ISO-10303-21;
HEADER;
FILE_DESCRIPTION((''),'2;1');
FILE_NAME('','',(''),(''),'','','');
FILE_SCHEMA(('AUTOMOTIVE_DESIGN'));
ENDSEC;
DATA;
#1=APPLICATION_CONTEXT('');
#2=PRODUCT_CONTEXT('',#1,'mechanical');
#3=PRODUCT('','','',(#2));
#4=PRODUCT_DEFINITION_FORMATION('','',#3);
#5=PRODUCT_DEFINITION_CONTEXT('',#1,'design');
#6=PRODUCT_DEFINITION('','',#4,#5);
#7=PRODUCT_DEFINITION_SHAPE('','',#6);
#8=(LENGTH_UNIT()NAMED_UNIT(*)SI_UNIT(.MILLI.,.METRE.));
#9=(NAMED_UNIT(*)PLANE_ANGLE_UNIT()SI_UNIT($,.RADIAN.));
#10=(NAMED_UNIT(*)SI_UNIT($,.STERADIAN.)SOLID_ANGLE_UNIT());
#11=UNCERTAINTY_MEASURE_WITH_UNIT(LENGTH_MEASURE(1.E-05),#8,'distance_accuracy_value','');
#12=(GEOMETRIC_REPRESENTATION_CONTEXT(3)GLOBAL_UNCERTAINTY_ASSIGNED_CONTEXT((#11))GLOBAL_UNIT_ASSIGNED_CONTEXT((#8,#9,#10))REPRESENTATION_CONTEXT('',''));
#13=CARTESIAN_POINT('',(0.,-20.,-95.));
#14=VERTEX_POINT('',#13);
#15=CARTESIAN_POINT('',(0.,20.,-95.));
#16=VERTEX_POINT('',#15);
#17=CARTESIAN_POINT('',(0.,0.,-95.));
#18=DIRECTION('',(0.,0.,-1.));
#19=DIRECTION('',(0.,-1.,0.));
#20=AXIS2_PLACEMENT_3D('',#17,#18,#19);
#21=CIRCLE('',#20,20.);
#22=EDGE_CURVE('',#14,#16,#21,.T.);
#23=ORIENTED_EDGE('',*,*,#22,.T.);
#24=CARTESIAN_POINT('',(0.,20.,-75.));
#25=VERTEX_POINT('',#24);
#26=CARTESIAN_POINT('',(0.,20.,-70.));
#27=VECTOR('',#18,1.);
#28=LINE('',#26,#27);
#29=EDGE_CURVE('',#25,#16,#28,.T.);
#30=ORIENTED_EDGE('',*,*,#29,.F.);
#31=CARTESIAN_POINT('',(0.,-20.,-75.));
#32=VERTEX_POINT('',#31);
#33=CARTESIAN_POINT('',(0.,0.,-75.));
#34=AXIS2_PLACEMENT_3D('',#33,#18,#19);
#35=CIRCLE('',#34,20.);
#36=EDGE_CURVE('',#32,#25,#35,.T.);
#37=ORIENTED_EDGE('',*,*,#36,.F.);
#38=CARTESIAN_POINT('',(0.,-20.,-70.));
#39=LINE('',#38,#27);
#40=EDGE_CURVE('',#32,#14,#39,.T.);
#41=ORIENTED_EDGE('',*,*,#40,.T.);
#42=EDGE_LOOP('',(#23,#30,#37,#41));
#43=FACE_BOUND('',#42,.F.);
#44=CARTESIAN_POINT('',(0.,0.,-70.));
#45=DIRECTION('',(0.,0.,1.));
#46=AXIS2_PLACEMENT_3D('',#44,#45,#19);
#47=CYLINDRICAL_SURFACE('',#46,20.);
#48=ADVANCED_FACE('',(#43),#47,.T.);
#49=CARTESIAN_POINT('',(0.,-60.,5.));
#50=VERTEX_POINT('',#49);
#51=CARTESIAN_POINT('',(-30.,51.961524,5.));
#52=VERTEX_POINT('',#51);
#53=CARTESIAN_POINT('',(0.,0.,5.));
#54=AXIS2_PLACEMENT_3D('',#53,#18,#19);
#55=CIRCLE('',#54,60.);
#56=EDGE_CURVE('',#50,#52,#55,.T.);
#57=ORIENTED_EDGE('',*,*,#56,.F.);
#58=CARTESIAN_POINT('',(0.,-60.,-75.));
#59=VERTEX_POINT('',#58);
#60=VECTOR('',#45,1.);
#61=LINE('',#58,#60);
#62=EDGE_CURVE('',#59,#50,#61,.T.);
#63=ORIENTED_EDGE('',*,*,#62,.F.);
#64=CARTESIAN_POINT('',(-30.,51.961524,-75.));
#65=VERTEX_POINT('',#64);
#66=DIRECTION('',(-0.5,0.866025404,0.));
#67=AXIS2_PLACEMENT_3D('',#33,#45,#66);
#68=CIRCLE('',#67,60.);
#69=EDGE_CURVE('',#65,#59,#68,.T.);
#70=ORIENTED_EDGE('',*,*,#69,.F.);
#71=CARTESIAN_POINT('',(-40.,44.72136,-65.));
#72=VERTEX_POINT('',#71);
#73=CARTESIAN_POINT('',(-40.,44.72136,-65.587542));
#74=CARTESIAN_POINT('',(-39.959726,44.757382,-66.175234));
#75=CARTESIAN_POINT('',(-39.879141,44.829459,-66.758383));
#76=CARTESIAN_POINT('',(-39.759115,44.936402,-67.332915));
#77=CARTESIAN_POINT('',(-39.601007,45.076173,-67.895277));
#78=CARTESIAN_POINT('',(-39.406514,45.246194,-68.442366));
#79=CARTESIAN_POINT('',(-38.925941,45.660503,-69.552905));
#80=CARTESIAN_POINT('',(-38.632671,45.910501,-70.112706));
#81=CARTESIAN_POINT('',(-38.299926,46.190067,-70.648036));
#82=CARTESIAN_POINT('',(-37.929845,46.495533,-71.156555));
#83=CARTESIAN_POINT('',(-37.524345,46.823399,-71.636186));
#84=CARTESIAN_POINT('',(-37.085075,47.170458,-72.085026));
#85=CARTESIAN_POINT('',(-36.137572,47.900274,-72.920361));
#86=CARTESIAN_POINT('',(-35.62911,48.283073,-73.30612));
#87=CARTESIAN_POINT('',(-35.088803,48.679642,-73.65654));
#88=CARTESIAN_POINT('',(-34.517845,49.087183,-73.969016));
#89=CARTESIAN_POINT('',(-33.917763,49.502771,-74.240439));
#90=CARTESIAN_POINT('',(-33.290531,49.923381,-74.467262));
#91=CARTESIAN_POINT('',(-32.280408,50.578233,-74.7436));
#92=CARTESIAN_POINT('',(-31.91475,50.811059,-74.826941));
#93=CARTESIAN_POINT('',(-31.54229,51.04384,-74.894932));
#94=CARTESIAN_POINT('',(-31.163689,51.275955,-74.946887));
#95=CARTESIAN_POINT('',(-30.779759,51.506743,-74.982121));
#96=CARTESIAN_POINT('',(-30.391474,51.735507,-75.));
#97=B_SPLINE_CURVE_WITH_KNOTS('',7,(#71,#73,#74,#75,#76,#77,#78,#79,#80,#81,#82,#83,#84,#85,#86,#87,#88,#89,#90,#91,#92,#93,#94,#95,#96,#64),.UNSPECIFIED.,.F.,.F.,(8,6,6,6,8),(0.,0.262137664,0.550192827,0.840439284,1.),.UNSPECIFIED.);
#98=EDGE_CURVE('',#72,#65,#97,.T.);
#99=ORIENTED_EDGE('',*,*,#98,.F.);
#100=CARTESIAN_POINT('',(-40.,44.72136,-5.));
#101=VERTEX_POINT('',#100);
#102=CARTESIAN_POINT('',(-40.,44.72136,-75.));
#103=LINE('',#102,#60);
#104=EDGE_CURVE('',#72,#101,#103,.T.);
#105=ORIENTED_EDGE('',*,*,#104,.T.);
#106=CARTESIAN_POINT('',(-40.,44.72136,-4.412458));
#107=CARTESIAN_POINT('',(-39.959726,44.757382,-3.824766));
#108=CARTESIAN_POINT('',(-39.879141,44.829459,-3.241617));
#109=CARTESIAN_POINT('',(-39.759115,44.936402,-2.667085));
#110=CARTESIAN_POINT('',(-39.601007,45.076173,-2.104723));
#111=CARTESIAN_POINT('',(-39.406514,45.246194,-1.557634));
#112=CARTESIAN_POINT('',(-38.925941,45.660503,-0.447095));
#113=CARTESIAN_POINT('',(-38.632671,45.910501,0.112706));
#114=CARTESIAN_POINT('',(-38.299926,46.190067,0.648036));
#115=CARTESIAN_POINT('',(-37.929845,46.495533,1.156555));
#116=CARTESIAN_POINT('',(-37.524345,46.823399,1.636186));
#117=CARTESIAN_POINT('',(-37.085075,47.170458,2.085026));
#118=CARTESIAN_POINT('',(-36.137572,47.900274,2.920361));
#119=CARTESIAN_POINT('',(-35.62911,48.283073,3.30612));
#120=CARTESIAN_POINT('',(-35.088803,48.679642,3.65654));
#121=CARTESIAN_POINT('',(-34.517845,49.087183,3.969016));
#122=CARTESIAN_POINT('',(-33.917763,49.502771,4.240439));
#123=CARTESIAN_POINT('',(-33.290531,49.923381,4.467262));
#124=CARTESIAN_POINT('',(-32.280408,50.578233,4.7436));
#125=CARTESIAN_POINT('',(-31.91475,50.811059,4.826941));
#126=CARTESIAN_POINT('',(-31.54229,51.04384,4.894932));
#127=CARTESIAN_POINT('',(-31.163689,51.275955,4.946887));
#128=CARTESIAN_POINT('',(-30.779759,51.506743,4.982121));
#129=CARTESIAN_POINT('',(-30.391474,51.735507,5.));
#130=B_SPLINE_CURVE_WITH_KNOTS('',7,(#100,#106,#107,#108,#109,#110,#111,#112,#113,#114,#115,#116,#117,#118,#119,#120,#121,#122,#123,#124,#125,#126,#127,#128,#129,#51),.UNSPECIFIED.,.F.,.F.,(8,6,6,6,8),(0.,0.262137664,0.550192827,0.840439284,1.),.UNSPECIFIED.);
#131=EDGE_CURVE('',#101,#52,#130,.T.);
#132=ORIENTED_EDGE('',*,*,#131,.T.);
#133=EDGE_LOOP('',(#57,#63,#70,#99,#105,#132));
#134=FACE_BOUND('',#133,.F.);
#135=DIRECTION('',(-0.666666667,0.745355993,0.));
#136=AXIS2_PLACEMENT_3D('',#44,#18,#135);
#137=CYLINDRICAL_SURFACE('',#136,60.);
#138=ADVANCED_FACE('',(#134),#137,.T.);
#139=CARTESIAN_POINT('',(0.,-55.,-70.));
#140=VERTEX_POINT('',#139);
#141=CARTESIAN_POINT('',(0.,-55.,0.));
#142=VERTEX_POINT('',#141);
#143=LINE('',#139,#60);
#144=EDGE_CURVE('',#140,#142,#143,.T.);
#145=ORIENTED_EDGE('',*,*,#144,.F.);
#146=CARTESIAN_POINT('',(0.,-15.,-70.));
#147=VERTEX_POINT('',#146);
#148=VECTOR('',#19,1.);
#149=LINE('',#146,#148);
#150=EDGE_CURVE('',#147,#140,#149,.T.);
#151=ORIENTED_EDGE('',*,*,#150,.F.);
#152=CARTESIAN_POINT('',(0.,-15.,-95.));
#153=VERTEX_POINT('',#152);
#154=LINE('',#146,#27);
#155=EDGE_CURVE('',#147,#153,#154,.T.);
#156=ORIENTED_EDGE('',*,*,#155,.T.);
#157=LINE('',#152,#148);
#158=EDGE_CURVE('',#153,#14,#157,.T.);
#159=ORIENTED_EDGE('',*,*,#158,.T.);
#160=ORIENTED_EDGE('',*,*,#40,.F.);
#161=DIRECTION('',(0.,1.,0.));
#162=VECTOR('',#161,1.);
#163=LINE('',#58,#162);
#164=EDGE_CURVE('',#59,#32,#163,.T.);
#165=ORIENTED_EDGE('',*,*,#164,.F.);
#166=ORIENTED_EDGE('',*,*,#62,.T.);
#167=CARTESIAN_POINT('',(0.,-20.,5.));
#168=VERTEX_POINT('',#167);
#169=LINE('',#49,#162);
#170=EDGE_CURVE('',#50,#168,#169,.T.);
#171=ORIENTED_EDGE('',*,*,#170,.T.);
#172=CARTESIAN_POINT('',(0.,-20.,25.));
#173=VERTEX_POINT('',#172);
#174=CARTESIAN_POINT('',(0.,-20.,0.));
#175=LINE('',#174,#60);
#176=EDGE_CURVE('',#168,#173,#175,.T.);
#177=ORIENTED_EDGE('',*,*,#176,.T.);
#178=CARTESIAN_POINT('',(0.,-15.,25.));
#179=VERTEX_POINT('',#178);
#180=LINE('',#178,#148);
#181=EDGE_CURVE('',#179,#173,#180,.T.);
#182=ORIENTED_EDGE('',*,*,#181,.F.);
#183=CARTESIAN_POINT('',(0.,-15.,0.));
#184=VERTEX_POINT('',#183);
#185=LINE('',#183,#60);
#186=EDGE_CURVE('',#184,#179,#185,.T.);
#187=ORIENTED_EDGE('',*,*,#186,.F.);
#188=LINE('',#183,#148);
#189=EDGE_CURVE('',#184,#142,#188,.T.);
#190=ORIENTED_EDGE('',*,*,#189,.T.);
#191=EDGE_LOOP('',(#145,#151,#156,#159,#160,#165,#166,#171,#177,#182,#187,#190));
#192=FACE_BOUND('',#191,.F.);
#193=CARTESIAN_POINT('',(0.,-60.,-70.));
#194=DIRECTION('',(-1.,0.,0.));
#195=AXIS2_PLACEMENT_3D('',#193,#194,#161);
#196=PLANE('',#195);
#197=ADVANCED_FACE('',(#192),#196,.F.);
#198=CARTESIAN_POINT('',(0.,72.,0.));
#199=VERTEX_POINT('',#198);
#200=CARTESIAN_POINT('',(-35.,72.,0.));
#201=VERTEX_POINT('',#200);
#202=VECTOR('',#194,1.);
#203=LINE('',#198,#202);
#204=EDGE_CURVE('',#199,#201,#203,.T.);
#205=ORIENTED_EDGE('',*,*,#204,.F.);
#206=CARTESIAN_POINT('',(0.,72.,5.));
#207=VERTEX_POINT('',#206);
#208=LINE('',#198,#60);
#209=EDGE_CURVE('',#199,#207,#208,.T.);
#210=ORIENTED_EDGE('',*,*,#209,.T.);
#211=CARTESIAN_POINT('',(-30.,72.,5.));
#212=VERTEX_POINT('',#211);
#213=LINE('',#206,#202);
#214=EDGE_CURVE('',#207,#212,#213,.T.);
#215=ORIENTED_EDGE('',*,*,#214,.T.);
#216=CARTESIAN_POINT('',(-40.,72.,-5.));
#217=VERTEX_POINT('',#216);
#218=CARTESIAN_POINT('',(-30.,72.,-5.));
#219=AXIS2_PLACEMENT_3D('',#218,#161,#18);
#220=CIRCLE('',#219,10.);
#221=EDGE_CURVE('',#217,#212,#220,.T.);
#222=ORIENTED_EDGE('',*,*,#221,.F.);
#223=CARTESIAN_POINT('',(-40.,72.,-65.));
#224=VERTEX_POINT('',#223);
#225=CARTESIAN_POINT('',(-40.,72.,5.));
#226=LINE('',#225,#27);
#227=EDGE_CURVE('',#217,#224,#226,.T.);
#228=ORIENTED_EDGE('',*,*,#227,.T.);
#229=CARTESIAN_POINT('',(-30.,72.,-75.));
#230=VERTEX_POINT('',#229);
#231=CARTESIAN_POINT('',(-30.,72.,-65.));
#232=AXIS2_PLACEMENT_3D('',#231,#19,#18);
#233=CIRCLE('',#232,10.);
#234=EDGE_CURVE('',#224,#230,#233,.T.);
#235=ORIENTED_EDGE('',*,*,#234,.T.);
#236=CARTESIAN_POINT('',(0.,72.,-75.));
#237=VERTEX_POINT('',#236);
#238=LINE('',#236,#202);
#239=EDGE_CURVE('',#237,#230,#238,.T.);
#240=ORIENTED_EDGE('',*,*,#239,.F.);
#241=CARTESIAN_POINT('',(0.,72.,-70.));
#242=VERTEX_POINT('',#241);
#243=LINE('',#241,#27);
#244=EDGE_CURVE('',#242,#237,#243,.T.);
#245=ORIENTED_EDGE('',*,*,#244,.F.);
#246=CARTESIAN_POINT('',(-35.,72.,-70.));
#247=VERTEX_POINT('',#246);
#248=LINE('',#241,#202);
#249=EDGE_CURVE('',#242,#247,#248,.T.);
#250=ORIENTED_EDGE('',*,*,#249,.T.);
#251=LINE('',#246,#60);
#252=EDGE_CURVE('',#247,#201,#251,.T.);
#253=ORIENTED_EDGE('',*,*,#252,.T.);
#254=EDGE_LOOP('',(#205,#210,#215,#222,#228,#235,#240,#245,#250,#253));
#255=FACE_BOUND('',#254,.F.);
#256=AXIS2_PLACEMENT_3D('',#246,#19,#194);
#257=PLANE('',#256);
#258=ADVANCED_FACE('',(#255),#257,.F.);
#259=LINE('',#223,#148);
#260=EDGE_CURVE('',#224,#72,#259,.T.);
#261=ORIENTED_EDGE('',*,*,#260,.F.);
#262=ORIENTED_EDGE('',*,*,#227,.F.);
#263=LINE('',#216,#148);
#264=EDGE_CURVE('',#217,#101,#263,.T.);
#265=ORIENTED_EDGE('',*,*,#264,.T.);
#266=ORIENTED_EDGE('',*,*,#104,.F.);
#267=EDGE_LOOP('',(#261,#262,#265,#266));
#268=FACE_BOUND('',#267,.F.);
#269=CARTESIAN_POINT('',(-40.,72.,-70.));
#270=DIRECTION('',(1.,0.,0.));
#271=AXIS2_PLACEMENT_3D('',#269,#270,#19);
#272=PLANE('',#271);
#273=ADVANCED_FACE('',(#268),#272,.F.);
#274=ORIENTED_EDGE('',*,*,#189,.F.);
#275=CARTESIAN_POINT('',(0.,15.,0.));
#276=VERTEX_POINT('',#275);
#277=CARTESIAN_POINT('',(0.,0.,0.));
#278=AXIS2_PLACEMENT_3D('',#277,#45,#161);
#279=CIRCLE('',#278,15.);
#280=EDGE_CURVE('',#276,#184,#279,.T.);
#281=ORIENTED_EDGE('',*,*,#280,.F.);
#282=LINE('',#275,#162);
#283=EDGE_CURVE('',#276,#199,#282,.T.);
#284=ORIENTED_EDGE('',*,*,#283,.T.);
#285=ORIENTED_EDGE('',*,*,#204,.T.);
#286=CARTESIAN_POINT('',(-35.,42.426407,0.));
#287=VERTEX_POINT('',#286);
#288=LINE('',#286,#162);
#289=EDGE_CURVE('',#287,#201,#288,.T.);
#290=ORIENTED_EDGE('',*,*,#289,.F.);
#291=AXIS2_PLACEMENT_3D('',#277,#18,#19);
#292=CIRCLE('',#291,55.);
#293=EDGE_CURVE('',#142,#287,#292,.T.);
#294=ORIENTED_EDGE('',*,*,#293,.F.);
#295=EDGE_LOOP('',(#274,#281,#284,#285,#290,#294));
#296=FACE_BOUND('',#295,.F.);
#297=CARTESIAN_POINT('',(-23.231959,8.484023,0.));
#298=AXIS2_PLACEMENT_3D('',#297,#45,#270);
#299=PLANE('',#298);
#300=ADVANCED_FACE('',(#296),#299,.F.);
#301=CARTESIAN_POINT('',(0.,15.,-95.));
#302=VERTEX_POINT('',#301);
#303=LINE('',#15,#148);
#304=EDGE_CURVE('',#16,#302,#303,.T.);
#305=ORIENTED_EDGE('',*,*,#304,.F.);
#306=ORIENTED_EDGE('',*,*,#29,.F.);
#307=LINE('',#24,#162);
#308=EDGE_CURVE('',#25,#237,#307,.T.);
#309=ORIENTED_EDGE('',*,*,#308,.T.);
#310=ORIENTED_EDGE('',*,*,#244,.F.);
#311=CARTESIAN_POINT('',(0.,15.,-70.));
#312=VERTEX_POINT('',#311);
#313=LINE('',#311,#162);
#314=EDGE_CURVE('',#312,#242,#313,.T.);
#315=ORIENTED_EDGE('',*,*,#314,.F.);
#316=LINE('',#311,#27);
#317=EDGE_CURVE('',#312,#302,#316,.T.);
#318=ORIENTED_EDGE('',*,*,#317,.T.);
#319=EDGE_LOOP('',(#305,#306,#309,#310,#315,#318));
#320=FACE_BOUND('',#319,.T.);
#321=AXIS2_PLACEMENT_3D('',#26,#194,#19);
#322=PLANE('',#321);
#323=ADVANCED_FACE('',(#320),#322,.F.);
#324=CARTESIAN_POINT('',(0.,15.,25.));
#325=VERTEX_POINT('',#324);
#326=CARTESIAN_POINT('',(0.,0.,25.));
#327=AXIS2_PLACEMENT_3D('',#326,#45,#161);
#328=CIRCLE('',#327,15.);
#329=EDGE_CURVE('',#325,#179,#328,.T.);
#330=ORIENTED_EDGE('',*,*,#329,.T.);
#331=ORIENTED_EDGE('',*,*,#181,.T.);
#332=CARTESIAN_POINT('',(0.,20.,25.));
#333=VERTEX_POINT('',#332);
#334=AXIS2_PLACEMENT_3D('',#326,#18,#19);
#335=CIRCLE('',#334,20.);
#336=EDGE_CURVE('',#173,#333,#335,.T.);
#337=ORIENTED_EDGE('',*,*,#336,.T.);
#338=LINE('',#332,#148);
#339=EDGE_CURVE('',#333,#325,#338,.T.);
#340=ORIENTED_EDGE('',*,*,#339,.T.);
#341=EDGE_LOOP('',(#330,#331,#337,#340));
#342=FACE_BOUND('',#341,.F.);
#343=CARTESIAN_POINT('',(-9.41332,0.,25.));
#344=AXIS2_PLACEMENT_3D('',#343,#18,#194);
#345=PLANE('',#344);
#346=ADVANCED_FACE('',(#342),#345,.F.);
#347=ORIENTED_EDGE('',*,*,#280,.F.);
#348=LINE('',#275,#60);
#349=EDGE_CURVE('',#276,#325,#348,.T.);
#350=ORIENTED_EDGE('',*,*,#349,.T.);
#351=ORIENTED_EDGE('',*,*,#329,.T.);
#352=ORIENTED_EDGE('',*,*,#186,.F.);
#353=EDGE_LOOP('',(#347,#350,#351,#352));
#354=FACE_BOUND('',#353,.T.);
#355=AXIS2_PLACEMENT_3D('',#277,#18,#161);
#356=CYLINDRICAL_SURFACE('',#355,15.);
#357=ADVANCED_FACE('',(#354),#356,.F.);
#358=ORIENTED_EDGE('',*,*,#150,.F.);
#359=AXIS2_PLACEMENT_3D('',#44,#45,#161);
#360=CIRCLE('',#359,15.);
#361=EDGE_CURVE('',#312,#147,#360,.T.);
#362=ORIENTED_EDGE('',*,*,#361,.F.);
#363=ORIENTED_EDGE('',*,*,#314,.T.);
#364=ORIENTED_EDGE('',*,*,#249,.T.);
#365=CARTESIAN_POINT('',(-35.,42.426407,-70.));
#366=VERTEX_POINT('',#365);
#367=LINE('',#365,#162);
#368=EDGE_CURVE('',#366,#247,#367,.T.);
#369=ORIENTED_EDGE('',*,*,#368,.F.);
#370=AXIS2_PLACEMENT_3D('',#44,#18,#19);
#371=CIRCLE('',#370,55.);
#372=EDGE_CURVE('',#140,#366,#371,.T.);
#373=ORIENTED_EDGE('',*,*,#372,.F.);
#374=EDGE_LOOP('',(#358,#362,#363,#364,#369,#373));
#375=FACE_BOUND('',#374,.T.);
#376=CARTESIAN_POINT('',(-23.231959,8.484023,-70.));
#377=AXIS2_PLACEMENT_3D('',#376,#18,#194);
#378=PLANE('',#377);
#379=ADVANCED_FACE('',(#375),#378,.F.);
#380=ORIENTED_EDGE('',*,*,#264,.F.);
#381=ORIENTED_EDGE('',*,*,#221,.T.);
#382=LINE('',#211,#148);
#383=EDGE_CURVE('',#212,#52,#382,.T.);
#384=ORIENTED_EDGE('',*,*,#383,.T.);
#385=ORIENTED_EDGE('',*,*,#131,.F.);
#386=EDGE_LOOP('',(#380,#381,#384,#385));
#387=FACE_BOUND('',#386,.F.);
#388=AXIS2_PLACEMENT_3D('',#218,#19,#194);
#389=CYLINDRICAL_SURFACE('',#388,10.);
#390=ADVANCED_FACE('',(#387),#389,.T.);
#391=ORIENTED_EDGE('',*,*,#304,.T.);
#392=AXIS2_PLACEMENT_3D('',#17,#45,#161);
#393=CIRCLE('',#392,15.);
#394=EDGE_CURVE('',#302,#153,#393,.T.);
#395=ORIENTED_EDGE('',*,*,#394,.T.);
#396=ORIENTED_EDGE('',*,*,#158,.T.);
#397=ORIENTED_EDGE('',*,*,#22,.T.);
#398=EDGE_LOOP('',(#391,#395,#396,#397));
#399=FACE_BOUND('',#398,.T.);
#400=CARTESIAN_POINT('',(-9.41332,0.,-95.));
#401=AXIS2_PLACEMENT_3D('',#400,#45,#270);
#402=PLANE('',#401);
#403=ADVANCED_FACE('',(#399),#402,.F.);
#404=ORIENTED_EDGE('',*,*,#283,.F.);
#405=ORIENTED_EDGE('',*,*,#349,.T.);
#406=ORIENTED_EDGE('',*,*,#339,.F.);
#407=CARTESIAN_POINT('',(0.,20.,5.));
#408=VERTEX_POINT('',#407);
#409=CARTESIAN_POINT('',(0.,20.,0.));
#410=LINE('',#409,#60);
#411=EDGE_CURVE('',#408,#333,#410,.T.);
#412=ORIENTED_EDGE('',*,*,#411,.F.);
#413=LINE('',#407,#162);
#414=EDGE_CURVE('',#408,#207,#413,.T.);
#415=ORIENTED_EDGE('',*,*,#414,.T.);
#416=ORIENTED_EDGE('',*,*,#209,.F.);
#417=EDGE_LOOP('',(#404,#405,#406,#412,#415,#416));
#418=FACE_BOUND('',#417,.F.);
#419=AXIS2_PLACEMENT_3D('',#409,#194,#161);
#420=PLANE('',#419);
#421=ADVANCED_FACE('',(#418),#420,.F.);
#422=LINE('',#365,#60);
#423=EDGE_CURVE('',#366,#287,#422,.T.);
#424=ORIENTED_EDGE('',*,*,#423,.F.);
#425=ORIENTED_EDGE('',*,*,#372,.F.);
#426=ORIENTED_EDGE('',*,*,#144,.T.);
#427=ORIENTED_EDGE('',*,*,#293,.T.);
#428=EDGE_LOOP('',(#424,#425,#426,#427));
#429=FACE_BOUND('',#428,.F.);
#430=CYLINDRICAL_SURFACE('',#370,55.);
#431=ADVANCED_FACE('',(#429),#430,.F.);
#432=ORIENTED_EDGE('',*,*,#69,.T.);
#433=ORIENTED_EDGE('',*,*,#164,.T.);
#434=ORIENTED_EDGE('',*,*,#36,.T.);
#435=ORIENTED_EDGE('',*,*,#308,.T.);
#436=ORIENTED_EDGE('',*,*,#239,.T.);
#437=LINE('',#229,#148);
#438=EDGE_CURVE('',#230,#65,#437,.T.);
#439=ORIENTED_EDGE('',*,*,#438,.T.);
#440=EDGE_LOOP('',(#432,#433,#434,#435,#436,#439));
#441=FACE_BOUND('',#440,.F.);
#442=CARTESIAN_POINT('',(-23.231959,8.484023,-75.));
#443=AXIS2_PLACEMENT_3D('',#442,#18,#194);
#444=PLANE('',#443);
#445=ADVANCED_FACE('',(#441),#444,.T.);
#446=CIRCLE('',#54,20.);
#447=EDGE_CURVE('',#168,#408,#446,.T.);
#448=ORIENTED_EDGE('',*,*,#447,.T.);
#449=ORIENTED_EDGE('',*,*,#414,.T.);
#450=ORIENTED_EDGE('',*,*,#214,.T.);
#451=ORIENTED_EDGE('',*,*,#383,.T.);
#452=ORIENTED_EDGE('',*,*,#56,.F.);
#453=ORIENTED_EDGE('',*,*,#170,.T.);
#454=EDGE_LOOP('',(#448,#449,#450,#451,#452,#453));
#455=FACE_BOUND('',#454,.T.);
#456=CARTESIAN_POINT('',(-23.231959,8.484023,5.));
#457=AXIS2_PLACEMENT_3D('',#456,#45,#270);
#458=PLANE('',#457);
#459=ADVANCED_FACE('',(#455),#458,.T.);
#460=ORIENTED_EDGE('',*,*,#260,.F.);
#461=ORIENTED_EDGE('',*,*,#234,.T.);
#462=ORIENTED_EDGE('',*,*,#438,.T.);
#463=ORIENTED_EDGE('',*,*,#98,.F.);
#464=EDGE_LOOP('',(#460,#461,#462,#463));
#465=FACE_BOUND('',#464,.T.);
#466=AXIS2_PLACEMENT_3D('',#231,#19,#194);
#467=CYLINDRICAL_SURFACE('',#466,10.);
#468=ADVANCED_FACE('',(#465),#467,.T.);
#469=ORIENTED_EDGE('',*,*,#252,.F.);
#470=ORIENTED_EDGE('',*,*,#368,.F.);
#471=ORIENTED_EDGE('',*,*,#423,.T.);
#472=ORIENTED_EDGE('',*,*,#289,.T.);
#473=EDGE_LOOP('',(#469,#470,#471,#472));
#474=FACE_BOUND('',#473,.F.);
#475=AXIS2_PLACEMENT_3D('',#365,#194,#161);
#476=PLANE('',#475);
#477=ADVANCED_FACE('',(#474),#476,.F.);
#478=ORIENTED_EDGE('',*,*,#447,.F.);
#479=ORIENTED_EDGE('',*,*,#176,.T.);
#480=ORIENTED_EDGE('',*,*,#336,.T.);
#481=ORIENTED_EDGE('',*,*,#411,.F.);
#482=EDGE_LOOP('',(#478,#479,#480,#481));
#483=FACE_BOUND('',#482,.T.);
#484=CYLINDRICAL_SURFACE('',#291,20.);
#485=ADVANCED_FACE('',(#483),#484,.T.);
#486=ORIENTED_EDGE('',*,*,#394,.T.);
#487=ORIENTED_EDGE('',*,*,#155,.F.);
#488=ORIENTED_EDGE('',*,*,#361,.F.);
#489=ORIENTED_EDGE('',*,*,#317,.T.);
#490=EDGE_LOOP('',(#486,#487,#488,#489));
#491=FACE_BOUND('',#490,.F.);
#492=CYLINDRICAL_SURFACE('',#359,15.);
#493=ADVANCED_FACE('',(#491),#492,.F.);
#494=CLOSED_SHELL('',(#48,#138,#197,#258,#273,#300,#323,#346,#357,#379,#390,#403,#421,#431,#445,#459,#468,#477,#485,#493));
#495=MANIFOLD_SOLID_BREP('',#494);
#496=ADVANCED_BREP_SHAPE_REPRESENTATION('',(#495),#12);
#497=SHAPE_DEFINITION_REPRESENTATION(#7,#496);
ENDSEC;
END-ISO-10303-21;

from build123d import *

# Parameters (mm, degrees)
DODANIE_WYCI_GNI_CIE1_DEPTH       = 25
DODANIE_WYCI_GNI_CIE5_DEPTH       = 5
WYCI_GNI_CIE_CIENKA_START         = -70
WYCI_GNI_CIE_CIENKA_CIANKA5_DEPTH = 70
ZAOKR_GLENIE1_R                   = 10
ZAOKR_GLENIE2_R                   = 10


with BuildPart() as part:
    # Szkic1 → Dodanie-wyciągnięcie1 (new body)
    with BuildSketch(Plane.XY):
        with BuildLine():
            Line((0, 20), (0, 15))
            ThreePointArc((0, 15), (-15, 0), (0, -15))
            Line((0, -15), (0, -20))
            ThreePointArc((0, -20), (-20, 0), (0, 20))
        make_face()
    extrude(amount=DODANIE_WYCI_GNI_CIE1_DEPTH)

    # Szkic2 → Dodanie-wyciągnięcie5 (add)
    with BuildSketch(Plane.XY):
        with BuildLine():
            Line((0, 20), (0, 72))
            Line((0, 72), (-40, 72))
            Line((-40, 72), (-40, 44.72135955))
            ThreePointArc((-40, 44.72135955), (-56.050341538, -21.409325386), (0, -60))
            Line((0, -60), (0, -20))
            ThreePointArc((0, -20), (-20, 0), (0, 20))
        make_face()
    extrude(amount=DODANIE_WYCI_GNI_CIE5_DEPTH)


with BuildPart() as body_2:
    # Lustro10: mirrored copy
    add(part.part.mirror(Plane.XY.offset(-35)))


with BuildPart() as part_1:
    add(part.part)

    add(body_2.part)  # Wyciągnięcie-cienka ścianka5 merges body 2
    # Szkic12 → Wyciągnięcie-cienka ścianka5 (add)
    with BuildSketch(Plane.XY.offset(WYCI_GNI_CIE_CIENKA_START)):
        with BuildLine():
            Line((-40, 72), (-40, 44.72135955))
            ThreePointArc((-40, 44.72135955), (-56.050341538, -21.409325386), (0, -60))
            Line((0, -60), (0, -55))
            ThreePointArc((0, -55), (-51.76124215, -18.594994247), (-35, 42.426406871))
            Line((-35, 42.426406871), (-35, 72))
            Line((-35, 72), (-40, 72))
        make_face()
    extrude(amount=WYCI_GNI_CIE_CIENKA_CIANKA5_DEPTH)

    # Zaokrąglenie1
    zaokr_glenie1_edges = [part_1.edges().sort_by_distance(p)[0] for p in [
        (-40, 58.360679775, 5),
    ]]
    fillet(zaokr_glenie1_edges, radius=ZAOKR_GLENIE1_R)

    # Zaokrąglenie2
    zaokr_glenie2_edges = [part_1.edges().sort_by_distance(p)[0] for p in [
        (-40, 58.360679775, -75),
    ]]
    fillet(zaokr_glenie2_edges, radius=ZAOKR_GLENIE2_R)


solid = part_1.part
